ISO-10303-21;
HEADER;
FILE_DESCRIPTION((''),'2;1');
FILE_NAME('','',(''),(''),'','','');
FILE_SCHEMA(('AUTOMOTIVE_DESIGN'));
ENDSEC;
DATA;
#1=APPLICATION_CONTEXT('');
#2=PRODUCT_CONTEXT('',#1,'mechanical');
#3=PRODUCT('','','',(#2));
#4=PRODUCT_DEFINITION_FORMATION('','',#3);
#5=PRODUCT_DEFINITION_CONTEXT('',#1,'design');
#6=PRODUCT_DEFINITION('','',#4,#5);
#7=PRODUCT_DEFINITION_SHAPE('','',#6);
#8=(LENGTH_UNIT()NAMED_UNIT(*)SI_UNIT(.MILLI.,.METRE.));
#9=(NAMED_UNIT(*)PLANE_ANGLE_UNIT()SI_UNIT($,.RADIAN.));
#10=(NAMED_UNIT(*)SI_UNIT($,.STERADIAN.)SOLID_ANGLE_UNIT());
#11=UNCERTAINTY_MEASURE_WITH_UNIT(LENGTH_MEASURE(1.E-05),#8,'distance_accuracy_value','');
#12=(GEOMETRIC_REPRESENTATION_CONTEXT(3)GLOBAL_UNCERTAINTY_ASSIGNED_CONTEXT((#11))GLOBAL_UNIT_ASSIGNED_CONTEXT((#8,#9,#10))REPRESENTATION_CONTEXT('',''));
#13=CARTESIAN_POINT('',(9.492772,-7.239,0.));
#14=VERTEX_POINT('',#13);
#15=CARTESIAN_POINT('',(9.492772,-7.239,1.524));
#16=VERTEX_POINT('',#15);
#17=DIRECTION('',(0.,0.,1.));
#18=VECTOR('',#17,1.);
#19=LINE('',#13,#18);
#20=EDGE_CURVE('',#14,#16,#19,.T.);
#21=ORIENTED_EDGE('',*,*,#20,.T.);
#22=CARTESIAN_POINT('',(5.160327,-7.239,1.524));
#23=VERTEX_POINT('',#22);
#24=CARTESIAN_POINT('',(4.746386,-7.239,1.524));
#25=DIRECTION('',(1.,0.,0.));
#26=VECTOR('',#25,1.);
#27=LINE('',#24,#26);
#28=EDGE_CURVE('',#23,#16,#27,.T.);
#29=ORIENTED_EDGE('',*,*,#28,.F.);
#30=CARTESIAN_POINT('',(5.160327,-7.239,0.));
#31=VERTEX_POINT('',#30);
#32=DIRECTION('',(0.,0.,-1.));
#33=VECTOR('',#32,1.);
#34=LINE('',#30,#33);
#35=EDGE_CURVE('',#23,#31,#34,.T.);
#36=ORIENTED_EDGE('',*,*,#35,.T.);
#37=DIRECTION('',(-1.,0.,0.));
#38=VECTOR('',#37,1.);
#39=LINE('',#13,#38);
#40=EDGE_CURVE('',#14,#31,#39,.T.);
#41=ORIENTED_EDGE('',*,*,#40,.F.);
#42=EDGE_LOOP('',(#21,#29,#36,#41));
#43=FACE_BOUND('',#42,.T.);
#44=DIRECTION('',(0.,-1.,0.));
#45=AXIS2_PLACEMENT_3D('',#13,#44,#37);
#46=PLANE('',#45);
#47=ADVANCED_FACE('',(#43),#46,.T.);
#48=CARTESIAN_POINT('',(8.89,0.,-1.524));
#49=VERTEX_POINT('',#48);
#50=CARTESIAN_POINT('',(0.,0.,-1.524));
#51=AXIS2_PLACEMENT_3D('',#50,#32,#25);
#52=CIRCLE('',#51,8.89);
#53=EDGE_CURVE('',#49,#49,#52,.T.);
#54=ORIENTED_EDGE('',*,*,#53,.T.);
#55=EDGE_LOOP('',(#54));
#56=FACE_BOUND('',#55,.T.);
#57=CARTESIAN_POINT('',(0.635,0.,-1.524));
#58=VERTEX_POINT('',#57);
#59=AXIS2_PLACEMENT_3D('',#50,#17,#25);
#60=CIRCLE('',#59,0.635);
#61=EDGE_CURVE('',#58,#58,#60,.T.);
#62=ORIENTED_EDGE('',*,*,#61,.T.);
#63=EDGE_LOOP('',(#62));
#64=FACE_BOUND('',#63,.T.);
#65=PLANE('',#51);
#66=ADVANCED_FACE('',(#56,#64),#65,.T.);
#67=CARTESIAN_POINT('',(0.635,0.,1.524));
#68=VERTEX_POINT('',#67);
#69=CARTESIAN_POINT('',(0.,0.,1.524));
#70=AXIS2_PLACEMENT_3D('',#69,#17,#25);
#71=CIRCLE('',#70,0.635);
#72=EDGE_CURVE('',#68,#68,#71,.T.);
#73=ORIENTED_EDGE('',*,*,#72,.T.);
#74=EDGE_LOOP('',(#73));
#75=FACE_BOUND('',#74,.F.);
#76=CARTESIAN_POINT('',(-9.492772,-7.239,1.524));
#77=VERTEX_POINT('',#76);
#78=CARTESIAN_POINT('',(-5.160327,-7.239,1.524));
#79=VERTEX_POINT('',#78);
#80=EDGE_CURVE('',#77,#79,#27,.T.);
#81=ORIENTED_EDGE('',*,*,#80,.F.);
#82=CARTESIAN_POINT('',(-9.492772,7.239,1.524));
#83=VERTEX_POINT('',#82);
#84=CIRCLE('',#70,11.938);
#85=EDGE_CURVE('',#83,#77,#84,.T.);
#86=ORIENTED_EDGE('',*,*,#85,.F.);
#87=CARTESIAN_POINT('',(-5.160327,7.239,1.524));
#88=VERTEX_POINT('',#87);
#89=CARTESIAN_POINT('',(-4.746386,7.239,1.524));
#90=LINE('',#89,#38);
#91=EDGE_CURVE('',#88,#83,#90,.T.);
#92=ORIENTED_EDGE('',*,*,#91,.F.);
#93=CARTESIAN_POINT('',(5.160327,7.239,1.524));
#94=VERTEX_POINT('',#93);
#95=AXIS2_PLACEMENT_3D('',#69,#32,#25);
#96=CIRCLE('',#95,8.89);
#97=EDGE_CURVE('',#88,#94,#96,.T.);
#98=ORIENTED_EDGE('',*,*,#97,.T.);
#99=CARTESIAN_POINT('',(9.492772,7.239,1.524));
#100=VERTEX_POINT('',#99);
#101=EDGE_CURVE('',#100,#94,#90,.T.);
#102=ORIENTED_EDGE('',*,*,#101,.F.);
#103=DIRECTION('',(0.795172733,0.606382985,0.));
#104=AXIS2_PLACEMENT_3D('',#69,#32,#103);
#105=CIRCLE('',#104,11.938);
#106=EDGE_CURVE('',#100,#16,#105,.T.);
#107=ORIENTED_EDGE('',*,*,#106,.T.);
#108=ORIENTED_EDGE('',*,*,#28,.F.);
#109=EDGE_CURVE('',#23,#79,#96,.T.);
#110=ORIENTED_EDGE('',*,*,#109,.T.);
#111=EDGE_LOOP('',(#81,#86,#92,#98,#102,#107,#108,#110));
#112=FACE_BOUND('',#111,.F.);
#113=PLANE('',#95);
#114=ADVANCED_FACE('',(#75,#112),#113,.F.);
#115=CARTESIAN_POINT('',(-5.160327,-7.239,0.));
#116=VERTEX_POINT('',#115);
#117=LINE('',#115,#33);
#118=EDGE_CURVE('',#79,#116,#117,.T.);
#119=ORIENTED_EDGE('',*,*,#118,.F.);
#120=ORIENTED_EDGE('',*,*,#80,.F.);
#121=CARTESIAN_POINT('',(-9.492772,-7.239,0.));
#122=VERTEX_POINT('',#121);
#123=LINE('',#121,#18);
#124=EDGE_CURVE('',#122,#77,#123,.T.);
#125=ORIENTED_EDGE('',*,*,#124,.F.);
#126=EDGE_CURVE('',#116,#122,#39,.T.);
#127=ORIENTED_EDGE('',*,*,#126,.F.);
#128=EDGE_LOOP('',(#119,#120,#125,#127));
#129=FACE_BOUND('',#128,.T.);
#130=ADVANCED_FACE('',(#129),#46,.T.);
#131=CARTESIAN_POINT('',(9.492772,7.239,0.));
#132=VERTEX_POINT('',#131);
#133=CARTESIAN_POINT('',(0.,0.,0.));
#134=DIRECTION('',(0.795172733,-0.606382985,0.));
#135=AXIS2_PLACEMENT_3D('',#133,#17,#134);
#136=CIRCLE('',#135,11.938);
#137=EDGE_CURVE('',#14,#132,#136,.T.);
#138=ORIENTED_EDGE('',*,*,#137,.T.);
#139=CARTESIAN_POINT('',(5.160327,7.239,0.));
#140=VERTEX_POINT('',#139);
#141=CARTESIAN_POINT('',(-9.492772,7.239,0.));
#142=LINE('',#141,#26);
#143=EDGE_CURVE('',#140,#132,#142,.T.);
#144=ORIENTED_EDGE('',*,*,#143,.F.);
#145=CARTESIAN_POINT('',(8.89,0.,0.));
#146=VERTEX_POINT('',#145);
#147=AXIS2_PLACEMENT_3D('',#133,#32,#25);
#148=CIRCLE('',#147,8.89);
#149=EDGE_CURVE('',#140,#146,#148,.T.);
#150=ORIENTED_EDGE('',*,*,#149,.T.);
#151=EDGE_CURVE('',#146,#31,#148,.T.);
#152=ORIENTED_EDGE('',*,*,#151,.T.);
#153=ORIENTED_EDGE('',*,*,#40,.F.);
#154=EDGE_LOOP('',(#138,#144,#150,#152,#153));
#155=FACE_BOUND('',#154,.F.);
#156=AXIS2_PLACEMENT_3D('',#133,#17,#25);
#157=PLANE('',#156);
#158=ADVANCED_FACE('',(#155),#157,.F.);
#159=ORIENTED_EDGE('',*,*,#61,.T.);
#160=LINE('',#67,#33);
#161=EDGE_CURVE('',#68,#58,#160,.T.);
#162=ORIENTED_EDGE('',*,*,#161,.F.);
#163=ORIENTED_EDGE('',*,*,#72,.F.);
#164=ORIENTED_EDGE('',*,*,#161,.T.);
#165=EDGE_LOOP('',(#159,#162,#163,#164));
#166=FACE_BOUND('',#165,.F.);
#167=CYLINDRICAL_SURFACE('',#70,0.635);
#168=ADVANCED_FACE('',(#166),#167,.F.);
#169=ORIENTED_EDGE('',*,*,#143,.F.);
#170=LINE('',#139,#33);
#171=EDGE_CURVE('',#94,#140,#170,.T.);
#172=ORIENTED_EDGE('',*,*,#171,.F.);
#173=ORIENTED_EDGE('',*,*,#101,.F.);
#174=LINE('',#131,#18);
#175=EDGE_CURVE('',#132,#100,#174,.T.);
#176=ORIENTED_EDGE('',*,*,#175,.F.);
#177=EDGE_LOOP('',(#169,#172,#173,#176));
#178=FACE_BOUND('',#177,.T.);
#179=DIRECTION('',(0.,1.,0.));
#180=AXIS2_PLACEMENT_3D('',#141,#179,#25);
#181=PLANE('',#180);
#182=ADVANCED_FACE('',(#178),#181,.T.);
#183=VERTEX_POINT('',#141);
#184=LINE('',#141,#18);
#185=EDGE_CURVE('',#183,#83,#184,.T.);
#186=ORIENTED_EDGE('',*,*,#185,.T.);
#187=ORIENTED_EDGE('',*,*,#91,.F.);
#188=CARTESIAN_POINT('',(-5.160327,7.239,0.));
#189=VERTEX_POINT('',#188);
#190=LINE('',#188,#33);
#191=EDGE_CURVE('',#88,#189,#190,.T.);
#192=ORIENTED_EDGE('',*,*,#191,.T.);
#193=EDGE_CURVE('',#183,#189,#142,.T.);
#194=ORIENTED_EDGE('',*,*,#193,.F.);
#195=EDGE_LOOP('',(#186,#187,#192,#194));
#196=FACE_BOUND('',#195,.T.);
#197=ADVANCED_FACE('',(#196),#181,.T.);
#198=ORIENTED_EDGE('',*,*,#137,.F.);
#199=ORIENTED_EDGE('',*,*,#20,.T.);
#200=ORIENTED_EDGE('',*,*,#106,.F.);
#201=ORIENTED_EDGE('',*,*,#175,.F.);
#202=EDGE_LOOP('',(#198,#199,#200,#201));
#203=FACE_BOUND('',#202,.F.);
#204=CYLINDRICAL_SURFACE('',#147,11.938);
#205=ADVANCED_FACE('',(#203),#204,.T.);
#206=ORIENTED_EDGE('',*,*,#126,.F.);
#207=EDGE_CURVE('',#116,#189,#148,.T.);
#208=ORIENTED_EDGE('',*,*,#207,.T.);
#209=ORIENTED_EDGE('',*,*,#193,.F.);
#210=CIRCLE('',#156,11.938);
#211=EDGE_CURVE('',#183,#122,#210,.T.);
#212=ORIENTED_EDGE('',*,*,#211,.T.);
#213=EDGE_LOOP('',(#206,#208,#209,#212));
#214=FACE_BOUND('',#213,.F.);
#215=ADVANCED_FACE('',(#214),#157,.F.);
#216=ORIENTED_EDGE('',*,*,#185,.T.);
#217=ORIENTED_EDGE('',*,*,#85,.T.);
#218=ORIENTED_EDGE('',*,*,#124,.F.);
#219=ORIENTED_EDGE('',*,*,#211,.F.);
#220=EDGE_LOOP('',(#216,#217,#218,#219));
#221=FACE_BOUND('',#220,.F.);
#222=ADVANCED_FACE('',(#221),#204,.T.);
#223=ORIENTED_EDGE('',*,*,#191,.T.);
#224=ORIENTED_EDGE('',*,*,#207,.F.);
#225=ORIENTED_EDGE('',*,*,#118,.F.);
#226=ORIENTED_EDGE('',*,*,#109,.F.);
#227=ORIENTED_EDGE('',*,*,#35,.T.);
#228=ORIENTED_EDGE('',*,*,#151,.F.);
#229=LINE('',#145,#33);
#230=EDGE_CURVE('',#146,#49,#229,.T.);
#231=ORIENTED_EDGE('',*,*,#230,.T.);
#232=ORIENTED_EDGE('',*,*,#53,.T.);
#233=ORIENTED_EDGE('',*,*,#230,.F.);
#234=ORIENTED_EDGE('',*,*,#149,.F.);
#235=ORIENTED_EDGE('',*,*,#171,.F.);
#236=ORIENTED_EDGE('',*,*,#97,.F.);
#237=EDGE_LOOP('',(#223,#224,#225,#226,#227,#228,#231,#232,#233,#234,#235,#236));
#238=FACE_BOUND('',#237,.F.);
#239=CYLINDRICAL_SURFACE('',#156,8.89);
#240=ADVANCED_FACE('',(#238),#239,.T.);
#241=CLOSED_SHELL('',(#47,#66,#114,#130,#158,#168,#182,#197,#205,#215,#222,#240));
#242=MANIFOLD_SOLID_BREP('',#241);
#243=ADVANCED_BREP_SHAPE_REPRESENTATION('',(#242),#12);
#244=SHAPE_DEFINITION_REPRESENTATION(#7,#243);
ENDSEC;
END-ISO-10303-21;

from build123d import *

# Parameters (mm, degrees)
F0_R          = 11.938
F2_DEPTH      = 1.524
F3_DEPTH      = 2.54
F3_DEPTH_BACK = 25.4
F4_R          = 8.89
F5_DEPTH      = 1.524
F6_R          = 8.89
F7_DEPTH      = 1.524
F8_R          = 0.635
F9_DEPTH      = 25.4
F9_DEPTH_BACK = 25.4


with BuildPart() as f2:
    # F0 (on Top) → F2 (new body)
    with BuildSketch(Plane.XY):
        Circle(F0_R)
    extrude(amount=F2_DEPTH)

    # F1 (on face) → F3 (cut, two sides)
    with BuildSketch(Plane.XY) as f3_sk:
        with BuildLine():
            Line((-9.492772, 7.239), (9.492772, 7.239))
            ThreePointArc((9.492772, 7.239), (0, 11.938), (-9.492772, 7.239))
        make_face()
        with BuildLine():
            Line((9.492772, -7.239), (-9.492772, -7.239))
            ThreePointArc((-9.492772, -7.239), (0, -11.938), (9.492772, -7.239))
        make_face()
    extrude(amount=F3_DEPTH, mode=Mode.SUBTRACT)
    extrude(f3_sk.sketch, amount=-F3_DEPTH_BACK, mode=Mode.SUBTRACT)

    # F4 (on face) → F5 (join)
    with BuildSketch(Plane(origin=(0, 0, 0), x_dir=(1, 0, 0), z_dir=(0, 0, -1))):
        Circle(F4_R)
    extrude(amount=-F5_DEPTH)

    # F6 (on face) → F7 (join)
    with BuildSketch(Plane(origin=(0, 0, 0), x_dir=(1, 0, 0), z_dir=(0, 0, -1))):
        Circle(F6_R)
    extrude(amount=F7_DEPTH)

    # F8 (on face) → F9 (cut, two sides)
    with BuildSketch(Plane.XY.offset(1.524)) as f9_sk:
        Circle(F8_R)
    extrude(amount=-F9_DEPTH, mode=Mode.SUBTRACT)
    extrude(f9_sk.sketch, amount=-F9_DEPTH_BACK, mode=Mode.SUBTRACT)


solid = f2.part
